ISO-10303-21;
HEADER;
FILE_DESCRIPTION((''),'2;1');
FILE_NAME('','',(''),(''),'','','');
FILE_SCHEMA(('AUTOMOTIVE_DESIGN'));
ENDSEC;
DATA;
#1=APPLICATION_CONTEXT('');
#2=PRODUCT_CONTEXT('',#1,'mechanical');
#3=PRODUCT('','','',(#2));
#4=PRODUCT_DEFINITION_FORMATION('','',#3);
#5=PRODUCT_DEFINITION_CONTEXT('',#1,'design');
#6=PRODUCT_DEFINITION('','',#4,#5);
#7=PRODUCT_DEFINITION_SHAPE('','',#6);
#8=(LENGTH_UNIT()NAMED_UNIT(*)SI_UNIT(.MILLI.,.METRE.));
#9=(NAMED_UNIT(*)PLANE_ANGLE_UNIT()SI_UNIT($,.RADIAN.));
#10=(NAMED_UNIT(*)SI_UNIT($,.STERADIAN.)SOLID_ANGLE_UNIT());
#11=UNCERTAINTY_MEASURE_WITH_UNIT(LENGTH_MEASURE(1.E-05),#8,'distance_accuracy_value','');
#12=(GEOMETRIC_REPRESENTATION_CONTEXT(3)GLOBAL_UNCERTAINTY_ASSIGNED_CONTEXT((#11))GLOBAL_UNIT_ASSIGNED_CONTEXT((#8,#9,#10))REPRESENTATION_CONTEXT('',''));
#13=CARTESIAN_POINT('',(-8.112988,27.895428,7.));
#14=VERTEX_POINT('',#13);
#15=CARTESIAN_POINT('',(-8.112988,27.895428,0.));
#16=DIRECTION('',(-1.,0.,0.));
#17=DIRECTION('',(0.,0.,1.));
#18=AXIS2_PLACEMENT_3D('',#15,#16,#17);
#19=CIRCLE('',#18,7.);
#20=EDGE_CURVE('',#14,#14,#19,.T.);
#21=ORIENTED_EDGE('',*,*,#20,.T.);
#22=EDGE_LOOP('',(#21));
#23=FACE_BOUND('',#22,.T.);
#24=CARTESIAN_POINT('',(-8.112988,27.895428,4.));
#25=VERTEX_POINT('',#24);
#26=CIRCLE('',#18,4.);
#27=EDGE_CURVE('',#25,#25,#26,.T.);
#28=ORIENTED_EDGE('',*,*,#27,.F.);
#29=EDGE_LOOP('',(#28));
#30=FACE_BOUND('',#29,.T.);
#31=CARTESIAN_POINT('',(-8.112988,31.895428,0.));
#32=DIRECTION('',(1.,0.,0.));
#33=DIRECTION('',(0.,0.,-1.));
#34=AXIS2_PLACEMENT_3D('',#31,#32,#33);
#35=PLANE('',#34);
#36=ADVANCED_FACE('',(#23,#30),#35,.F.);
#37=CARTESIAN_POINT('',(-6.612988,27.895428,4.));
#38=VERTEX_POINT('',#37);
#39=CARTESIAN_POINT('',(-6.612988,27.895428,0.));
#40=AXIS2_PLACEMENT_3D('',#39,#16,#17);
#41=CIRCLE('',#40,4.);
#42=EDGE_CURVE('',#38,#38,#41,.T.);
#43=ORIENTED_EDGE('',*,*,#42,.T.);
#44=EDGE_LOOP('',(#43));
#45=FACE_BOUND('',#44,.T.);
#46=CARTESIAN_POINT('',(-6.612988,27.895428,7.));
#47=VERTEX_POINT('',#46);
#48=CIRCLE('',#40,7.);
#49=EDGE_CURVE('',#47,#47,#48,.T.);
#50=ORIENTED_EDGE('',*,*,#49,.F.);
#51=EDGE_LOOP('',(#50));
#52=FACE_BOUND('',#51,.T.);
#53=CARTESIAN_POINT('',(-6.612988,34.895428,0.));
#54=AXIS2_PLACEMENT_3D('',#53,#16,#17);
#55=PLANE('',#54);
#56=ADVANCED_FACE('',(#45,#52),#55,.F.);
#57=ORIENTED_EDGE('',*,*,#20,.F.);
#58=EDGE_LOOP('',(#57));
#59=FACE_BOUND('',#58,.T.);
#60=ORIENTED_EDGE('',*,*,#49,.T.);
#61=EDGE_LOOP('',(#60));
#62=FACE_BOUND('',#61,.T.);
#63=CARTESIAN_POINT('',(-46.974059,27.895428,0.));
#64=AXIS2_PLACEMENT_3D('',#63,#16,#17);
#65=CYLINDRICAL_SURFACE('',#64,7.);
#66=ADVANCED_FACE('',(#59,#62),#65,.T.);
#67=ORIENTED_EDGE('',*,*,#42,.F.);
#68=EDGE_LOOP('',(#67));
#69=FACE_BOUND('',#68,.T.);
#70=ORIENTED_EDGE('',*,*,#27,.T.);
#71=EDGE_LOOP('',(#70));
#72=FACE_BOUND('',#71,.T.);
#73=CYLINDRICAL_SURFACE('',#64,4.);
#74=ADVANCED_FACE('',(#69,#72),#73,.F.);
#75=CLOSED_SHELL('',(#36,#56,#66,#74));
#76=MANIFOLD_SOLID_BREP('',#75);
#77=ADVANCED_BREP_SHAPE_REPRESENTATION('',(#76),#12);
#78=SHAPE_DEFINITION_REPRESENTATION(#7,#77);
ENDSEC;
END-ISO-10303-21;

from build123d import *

# Parameters (mm, degrees)
ESQUISSE1_W = 1.5
ESQUISSE1_H = 3


with BuildPart() as part:
    # Esquisse1 → Révolution1 (revolve)
    with BuildSketch(Plane.XY, mode=Mode.PRIVATE) as r_volution1_sk:
        with Locations((-7.36298829, 33.395427868)):
            Rectangle(ESQUISSE1_W, ESQUISSE1_H)
    revolve(r_volution1_sk.sketch.rotate(Axis((-46.974058577, 27.895427868, 0), (1, 0, 0)), 90), axis=Axis((-46.974058577, 27.895427868, 0), (1, 0, 0)))  # turned: the seam where the file's is


solid = part.part
